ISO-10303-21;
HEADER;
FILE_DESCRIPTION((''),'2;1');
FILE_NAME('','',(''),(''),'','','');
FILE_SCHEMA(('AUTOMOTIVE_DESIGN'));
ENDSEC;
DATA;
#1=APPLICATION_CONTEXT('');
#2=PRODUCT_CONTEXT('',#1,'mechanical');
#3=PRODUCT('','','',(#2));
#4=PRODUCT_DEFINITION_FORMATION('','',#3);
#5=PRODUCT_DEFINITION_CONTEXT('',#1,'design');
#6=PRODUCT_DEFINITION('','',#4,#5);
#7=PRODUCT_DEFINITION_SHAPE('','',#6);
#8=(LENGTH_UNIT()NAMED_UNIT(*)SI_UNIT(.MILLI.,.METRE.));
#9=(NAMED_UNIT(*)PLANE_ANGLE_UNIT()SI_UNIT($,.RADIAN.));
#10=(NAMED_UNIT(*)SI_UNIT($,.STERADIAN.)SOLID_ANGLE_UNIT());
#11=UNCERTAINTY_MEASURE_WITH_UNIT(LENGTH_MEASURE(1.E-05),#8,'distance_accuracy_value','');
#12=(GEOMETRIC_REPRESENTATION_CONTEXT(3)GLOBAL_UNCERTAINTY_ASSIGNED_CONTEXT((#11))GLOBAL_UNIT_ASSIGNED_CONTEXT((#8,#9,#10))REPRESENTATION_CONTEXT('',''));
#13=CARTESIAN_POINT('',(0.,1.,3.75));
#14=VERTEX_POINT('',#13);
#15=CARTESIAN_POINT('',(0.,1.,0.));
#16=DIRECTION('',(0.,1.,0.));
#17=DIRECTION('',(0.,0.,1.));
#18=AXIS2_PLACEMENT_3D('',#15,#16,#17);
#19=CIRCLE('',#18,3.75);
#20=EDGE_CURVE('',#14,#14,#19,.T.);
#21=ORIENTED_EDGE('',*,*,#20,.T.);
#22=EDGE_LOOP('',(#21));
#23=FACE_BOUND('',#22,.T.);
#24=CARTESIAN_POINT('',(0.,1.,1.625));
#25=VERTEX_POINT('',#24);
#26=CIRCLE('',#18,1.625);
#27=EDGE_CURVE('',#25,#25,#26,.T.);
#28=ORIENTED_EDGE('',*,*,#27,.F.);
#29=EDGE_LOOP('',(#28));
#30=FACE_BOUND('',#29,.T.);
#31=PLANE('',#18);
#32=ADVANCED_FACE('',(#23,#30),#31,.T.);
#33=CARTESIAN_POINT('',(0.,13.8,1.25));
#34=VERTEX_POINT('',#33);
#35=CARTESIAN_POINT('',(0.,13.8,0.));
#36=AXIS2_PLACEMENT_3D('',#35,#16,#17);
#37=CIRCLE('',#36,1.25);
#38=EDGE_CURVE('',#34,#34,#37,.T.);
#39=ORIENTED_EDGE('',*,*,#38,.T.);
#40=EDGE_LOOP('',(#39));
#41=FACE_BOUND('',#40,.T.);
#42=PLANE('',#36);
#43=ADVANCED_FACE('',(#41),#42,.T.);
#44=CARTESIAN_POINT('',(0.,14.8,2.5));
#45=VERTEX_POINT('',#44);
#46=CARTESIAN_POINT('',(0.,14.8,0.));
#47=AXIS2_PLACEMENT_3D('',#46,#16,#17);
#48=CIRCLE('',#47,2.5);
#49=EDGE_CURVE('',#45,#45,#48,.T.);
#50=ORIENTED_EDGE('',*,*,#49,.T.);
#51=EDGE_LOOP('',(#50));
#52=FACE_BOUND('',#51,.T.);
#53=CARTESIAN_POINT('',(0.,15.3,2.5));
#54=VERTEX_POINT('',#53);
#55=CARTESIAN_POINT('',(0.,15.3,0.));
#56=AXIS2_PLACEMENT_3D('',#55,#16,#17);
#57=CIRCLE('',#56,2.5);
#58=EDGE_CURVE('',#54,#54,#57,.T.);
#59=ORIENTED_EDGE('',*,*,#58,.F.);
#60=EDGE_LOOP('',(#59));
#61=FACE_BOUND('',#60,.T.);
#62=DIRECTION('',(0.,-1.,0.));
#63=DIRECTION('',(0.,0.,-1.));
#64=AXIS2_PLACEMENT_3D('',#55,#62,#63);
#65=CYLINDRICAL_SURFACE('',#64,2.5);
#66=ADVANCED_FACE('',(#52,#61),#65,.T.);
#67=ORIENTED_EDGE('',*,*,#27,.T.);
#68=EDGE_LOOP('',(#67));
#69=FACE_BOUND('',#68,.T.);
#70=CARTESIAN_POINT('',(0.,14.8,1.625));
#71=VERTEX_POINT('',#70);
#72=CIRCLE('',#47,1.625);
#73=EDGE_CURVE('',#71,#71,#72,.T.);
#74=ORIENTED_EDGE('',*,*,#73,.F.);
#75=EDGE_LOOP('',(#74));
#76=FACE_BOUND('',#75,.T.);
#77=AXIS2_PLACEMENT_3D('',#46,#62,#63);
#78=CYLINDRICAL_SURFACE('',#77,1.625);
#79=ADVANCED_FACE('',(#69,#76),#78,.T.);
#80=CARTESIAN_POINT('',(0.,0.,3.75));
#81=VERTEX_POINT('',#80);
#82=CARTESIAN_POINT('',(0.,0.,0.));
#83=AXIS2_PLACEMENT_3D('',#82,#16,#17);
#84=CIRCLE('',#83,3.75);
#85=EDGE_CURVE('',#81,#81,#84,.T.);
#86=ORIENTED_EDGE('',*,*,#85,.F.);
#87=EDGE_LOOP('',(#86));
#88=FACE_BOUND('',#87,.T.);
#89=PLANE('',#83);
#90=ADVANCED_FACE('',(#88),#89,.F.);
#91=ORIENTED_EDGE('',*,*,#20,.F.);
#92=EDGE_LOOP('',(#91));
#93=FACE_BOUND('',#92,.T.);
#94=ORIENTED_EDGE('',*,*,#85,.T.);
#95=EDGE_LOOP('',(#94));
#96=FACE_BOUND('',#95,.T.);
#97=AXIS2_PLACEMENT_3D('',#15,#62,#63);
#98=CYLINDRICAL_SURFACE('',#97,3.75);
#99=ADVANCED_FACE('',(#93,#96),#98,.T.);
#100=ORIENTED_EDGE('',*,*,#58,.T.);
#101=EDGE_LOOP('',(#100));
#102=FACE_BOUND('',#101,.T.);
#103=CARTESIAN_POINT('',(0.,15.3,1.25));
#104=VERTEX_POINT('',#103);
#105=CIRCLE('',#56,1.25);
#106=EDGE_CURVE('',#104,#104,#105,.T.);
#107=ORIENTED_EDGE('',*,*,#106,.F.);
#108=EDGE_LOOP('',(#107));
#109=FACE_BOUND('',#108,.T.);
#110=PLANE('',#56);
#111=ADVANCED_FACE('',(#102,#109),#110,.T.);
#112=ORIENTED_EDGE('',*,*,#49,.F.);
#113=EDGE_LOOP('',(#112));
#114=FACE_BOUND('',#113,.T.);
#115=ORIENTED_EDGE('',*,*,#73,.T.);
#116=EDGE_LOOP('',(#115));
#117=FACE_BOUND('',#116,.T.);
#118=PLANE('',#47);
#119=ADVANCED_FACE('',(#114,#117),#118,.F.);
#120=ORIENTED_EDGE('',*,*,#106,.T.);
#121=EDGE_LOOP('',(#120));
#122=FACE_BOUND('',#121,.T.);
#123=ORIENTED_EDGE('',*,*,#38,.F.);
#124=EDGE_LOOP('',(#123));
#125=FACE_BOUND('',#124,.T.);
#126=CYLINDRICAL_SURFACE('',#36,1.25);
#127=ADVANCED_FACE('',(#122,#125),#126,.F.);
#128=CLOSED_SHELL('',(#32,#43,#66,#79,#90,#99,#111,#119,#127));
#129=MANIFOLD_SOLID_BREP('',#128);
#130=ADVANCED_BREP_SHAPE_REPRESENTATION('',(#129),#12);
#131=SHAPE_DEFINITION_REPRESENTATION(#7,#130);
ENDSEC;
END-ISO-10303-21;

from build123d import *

# Parameters (mm, degrees)
SKETCH1_R           = 3.75
BOSS_EXTRUDE1_DEPTH = 1
SKETCH2_R           = 1.625
BOSS_EXTRUDE2_DEPTH = 13.8
SKETCH3_R           = 2.5
BOSS_EXTRUDE3_DEPTH = 0.5
SKETCH4_R           = 1.25
CUT_EXTRUDE2_DEPTH  = 1.5


with BuildPart() as part:
    # Sketch1 → Boss-Extrude1 (new body)
    with BuildSketch(Plane(origin=(0, 0, 0), x_dir=(1, 0, 0), z_dir=(0, 1, 0))):
        Circle(SKETCH1_R)
    extrude(amount=BOSS_EXTRUDE1_DEPTH)

    # Sketch2 → Boss-Extrude2 (add)
    with BuildSketch(Plane(origin=(0, 1, 0), x_dir=(1, 0, 0), z_dir=(0, 1, 0))):
        Circle(SKETCH2_R)
    extrude(amount=BOSS_EXTRUDE2_DEPTH)

    # Sketch3 → Boss-Extrude3 (add)
    with BuildSketch(Plane(origin=(0, 14.8, 0), x_dir=(1, 0, 0), z_dir=(0, 1, 0))):
        Circle(SKETCH3_R)
    extrude(amount=BOSS_EXTRUDE3_DEPTH)

    # Sketch4 → Cut-Extrude2 (cut)
    with BuildSketch(Plane(origin=(0, 15.3, 0), x_dir=(1, 0, 0), z_dir=(0, 1, 0))):
        Circle(SKETCH4_R)
    extrude(amount=-CUT_EXTRUDE2_DEPTH, mode=Mode.SUBTRACT)


solid = part.part
